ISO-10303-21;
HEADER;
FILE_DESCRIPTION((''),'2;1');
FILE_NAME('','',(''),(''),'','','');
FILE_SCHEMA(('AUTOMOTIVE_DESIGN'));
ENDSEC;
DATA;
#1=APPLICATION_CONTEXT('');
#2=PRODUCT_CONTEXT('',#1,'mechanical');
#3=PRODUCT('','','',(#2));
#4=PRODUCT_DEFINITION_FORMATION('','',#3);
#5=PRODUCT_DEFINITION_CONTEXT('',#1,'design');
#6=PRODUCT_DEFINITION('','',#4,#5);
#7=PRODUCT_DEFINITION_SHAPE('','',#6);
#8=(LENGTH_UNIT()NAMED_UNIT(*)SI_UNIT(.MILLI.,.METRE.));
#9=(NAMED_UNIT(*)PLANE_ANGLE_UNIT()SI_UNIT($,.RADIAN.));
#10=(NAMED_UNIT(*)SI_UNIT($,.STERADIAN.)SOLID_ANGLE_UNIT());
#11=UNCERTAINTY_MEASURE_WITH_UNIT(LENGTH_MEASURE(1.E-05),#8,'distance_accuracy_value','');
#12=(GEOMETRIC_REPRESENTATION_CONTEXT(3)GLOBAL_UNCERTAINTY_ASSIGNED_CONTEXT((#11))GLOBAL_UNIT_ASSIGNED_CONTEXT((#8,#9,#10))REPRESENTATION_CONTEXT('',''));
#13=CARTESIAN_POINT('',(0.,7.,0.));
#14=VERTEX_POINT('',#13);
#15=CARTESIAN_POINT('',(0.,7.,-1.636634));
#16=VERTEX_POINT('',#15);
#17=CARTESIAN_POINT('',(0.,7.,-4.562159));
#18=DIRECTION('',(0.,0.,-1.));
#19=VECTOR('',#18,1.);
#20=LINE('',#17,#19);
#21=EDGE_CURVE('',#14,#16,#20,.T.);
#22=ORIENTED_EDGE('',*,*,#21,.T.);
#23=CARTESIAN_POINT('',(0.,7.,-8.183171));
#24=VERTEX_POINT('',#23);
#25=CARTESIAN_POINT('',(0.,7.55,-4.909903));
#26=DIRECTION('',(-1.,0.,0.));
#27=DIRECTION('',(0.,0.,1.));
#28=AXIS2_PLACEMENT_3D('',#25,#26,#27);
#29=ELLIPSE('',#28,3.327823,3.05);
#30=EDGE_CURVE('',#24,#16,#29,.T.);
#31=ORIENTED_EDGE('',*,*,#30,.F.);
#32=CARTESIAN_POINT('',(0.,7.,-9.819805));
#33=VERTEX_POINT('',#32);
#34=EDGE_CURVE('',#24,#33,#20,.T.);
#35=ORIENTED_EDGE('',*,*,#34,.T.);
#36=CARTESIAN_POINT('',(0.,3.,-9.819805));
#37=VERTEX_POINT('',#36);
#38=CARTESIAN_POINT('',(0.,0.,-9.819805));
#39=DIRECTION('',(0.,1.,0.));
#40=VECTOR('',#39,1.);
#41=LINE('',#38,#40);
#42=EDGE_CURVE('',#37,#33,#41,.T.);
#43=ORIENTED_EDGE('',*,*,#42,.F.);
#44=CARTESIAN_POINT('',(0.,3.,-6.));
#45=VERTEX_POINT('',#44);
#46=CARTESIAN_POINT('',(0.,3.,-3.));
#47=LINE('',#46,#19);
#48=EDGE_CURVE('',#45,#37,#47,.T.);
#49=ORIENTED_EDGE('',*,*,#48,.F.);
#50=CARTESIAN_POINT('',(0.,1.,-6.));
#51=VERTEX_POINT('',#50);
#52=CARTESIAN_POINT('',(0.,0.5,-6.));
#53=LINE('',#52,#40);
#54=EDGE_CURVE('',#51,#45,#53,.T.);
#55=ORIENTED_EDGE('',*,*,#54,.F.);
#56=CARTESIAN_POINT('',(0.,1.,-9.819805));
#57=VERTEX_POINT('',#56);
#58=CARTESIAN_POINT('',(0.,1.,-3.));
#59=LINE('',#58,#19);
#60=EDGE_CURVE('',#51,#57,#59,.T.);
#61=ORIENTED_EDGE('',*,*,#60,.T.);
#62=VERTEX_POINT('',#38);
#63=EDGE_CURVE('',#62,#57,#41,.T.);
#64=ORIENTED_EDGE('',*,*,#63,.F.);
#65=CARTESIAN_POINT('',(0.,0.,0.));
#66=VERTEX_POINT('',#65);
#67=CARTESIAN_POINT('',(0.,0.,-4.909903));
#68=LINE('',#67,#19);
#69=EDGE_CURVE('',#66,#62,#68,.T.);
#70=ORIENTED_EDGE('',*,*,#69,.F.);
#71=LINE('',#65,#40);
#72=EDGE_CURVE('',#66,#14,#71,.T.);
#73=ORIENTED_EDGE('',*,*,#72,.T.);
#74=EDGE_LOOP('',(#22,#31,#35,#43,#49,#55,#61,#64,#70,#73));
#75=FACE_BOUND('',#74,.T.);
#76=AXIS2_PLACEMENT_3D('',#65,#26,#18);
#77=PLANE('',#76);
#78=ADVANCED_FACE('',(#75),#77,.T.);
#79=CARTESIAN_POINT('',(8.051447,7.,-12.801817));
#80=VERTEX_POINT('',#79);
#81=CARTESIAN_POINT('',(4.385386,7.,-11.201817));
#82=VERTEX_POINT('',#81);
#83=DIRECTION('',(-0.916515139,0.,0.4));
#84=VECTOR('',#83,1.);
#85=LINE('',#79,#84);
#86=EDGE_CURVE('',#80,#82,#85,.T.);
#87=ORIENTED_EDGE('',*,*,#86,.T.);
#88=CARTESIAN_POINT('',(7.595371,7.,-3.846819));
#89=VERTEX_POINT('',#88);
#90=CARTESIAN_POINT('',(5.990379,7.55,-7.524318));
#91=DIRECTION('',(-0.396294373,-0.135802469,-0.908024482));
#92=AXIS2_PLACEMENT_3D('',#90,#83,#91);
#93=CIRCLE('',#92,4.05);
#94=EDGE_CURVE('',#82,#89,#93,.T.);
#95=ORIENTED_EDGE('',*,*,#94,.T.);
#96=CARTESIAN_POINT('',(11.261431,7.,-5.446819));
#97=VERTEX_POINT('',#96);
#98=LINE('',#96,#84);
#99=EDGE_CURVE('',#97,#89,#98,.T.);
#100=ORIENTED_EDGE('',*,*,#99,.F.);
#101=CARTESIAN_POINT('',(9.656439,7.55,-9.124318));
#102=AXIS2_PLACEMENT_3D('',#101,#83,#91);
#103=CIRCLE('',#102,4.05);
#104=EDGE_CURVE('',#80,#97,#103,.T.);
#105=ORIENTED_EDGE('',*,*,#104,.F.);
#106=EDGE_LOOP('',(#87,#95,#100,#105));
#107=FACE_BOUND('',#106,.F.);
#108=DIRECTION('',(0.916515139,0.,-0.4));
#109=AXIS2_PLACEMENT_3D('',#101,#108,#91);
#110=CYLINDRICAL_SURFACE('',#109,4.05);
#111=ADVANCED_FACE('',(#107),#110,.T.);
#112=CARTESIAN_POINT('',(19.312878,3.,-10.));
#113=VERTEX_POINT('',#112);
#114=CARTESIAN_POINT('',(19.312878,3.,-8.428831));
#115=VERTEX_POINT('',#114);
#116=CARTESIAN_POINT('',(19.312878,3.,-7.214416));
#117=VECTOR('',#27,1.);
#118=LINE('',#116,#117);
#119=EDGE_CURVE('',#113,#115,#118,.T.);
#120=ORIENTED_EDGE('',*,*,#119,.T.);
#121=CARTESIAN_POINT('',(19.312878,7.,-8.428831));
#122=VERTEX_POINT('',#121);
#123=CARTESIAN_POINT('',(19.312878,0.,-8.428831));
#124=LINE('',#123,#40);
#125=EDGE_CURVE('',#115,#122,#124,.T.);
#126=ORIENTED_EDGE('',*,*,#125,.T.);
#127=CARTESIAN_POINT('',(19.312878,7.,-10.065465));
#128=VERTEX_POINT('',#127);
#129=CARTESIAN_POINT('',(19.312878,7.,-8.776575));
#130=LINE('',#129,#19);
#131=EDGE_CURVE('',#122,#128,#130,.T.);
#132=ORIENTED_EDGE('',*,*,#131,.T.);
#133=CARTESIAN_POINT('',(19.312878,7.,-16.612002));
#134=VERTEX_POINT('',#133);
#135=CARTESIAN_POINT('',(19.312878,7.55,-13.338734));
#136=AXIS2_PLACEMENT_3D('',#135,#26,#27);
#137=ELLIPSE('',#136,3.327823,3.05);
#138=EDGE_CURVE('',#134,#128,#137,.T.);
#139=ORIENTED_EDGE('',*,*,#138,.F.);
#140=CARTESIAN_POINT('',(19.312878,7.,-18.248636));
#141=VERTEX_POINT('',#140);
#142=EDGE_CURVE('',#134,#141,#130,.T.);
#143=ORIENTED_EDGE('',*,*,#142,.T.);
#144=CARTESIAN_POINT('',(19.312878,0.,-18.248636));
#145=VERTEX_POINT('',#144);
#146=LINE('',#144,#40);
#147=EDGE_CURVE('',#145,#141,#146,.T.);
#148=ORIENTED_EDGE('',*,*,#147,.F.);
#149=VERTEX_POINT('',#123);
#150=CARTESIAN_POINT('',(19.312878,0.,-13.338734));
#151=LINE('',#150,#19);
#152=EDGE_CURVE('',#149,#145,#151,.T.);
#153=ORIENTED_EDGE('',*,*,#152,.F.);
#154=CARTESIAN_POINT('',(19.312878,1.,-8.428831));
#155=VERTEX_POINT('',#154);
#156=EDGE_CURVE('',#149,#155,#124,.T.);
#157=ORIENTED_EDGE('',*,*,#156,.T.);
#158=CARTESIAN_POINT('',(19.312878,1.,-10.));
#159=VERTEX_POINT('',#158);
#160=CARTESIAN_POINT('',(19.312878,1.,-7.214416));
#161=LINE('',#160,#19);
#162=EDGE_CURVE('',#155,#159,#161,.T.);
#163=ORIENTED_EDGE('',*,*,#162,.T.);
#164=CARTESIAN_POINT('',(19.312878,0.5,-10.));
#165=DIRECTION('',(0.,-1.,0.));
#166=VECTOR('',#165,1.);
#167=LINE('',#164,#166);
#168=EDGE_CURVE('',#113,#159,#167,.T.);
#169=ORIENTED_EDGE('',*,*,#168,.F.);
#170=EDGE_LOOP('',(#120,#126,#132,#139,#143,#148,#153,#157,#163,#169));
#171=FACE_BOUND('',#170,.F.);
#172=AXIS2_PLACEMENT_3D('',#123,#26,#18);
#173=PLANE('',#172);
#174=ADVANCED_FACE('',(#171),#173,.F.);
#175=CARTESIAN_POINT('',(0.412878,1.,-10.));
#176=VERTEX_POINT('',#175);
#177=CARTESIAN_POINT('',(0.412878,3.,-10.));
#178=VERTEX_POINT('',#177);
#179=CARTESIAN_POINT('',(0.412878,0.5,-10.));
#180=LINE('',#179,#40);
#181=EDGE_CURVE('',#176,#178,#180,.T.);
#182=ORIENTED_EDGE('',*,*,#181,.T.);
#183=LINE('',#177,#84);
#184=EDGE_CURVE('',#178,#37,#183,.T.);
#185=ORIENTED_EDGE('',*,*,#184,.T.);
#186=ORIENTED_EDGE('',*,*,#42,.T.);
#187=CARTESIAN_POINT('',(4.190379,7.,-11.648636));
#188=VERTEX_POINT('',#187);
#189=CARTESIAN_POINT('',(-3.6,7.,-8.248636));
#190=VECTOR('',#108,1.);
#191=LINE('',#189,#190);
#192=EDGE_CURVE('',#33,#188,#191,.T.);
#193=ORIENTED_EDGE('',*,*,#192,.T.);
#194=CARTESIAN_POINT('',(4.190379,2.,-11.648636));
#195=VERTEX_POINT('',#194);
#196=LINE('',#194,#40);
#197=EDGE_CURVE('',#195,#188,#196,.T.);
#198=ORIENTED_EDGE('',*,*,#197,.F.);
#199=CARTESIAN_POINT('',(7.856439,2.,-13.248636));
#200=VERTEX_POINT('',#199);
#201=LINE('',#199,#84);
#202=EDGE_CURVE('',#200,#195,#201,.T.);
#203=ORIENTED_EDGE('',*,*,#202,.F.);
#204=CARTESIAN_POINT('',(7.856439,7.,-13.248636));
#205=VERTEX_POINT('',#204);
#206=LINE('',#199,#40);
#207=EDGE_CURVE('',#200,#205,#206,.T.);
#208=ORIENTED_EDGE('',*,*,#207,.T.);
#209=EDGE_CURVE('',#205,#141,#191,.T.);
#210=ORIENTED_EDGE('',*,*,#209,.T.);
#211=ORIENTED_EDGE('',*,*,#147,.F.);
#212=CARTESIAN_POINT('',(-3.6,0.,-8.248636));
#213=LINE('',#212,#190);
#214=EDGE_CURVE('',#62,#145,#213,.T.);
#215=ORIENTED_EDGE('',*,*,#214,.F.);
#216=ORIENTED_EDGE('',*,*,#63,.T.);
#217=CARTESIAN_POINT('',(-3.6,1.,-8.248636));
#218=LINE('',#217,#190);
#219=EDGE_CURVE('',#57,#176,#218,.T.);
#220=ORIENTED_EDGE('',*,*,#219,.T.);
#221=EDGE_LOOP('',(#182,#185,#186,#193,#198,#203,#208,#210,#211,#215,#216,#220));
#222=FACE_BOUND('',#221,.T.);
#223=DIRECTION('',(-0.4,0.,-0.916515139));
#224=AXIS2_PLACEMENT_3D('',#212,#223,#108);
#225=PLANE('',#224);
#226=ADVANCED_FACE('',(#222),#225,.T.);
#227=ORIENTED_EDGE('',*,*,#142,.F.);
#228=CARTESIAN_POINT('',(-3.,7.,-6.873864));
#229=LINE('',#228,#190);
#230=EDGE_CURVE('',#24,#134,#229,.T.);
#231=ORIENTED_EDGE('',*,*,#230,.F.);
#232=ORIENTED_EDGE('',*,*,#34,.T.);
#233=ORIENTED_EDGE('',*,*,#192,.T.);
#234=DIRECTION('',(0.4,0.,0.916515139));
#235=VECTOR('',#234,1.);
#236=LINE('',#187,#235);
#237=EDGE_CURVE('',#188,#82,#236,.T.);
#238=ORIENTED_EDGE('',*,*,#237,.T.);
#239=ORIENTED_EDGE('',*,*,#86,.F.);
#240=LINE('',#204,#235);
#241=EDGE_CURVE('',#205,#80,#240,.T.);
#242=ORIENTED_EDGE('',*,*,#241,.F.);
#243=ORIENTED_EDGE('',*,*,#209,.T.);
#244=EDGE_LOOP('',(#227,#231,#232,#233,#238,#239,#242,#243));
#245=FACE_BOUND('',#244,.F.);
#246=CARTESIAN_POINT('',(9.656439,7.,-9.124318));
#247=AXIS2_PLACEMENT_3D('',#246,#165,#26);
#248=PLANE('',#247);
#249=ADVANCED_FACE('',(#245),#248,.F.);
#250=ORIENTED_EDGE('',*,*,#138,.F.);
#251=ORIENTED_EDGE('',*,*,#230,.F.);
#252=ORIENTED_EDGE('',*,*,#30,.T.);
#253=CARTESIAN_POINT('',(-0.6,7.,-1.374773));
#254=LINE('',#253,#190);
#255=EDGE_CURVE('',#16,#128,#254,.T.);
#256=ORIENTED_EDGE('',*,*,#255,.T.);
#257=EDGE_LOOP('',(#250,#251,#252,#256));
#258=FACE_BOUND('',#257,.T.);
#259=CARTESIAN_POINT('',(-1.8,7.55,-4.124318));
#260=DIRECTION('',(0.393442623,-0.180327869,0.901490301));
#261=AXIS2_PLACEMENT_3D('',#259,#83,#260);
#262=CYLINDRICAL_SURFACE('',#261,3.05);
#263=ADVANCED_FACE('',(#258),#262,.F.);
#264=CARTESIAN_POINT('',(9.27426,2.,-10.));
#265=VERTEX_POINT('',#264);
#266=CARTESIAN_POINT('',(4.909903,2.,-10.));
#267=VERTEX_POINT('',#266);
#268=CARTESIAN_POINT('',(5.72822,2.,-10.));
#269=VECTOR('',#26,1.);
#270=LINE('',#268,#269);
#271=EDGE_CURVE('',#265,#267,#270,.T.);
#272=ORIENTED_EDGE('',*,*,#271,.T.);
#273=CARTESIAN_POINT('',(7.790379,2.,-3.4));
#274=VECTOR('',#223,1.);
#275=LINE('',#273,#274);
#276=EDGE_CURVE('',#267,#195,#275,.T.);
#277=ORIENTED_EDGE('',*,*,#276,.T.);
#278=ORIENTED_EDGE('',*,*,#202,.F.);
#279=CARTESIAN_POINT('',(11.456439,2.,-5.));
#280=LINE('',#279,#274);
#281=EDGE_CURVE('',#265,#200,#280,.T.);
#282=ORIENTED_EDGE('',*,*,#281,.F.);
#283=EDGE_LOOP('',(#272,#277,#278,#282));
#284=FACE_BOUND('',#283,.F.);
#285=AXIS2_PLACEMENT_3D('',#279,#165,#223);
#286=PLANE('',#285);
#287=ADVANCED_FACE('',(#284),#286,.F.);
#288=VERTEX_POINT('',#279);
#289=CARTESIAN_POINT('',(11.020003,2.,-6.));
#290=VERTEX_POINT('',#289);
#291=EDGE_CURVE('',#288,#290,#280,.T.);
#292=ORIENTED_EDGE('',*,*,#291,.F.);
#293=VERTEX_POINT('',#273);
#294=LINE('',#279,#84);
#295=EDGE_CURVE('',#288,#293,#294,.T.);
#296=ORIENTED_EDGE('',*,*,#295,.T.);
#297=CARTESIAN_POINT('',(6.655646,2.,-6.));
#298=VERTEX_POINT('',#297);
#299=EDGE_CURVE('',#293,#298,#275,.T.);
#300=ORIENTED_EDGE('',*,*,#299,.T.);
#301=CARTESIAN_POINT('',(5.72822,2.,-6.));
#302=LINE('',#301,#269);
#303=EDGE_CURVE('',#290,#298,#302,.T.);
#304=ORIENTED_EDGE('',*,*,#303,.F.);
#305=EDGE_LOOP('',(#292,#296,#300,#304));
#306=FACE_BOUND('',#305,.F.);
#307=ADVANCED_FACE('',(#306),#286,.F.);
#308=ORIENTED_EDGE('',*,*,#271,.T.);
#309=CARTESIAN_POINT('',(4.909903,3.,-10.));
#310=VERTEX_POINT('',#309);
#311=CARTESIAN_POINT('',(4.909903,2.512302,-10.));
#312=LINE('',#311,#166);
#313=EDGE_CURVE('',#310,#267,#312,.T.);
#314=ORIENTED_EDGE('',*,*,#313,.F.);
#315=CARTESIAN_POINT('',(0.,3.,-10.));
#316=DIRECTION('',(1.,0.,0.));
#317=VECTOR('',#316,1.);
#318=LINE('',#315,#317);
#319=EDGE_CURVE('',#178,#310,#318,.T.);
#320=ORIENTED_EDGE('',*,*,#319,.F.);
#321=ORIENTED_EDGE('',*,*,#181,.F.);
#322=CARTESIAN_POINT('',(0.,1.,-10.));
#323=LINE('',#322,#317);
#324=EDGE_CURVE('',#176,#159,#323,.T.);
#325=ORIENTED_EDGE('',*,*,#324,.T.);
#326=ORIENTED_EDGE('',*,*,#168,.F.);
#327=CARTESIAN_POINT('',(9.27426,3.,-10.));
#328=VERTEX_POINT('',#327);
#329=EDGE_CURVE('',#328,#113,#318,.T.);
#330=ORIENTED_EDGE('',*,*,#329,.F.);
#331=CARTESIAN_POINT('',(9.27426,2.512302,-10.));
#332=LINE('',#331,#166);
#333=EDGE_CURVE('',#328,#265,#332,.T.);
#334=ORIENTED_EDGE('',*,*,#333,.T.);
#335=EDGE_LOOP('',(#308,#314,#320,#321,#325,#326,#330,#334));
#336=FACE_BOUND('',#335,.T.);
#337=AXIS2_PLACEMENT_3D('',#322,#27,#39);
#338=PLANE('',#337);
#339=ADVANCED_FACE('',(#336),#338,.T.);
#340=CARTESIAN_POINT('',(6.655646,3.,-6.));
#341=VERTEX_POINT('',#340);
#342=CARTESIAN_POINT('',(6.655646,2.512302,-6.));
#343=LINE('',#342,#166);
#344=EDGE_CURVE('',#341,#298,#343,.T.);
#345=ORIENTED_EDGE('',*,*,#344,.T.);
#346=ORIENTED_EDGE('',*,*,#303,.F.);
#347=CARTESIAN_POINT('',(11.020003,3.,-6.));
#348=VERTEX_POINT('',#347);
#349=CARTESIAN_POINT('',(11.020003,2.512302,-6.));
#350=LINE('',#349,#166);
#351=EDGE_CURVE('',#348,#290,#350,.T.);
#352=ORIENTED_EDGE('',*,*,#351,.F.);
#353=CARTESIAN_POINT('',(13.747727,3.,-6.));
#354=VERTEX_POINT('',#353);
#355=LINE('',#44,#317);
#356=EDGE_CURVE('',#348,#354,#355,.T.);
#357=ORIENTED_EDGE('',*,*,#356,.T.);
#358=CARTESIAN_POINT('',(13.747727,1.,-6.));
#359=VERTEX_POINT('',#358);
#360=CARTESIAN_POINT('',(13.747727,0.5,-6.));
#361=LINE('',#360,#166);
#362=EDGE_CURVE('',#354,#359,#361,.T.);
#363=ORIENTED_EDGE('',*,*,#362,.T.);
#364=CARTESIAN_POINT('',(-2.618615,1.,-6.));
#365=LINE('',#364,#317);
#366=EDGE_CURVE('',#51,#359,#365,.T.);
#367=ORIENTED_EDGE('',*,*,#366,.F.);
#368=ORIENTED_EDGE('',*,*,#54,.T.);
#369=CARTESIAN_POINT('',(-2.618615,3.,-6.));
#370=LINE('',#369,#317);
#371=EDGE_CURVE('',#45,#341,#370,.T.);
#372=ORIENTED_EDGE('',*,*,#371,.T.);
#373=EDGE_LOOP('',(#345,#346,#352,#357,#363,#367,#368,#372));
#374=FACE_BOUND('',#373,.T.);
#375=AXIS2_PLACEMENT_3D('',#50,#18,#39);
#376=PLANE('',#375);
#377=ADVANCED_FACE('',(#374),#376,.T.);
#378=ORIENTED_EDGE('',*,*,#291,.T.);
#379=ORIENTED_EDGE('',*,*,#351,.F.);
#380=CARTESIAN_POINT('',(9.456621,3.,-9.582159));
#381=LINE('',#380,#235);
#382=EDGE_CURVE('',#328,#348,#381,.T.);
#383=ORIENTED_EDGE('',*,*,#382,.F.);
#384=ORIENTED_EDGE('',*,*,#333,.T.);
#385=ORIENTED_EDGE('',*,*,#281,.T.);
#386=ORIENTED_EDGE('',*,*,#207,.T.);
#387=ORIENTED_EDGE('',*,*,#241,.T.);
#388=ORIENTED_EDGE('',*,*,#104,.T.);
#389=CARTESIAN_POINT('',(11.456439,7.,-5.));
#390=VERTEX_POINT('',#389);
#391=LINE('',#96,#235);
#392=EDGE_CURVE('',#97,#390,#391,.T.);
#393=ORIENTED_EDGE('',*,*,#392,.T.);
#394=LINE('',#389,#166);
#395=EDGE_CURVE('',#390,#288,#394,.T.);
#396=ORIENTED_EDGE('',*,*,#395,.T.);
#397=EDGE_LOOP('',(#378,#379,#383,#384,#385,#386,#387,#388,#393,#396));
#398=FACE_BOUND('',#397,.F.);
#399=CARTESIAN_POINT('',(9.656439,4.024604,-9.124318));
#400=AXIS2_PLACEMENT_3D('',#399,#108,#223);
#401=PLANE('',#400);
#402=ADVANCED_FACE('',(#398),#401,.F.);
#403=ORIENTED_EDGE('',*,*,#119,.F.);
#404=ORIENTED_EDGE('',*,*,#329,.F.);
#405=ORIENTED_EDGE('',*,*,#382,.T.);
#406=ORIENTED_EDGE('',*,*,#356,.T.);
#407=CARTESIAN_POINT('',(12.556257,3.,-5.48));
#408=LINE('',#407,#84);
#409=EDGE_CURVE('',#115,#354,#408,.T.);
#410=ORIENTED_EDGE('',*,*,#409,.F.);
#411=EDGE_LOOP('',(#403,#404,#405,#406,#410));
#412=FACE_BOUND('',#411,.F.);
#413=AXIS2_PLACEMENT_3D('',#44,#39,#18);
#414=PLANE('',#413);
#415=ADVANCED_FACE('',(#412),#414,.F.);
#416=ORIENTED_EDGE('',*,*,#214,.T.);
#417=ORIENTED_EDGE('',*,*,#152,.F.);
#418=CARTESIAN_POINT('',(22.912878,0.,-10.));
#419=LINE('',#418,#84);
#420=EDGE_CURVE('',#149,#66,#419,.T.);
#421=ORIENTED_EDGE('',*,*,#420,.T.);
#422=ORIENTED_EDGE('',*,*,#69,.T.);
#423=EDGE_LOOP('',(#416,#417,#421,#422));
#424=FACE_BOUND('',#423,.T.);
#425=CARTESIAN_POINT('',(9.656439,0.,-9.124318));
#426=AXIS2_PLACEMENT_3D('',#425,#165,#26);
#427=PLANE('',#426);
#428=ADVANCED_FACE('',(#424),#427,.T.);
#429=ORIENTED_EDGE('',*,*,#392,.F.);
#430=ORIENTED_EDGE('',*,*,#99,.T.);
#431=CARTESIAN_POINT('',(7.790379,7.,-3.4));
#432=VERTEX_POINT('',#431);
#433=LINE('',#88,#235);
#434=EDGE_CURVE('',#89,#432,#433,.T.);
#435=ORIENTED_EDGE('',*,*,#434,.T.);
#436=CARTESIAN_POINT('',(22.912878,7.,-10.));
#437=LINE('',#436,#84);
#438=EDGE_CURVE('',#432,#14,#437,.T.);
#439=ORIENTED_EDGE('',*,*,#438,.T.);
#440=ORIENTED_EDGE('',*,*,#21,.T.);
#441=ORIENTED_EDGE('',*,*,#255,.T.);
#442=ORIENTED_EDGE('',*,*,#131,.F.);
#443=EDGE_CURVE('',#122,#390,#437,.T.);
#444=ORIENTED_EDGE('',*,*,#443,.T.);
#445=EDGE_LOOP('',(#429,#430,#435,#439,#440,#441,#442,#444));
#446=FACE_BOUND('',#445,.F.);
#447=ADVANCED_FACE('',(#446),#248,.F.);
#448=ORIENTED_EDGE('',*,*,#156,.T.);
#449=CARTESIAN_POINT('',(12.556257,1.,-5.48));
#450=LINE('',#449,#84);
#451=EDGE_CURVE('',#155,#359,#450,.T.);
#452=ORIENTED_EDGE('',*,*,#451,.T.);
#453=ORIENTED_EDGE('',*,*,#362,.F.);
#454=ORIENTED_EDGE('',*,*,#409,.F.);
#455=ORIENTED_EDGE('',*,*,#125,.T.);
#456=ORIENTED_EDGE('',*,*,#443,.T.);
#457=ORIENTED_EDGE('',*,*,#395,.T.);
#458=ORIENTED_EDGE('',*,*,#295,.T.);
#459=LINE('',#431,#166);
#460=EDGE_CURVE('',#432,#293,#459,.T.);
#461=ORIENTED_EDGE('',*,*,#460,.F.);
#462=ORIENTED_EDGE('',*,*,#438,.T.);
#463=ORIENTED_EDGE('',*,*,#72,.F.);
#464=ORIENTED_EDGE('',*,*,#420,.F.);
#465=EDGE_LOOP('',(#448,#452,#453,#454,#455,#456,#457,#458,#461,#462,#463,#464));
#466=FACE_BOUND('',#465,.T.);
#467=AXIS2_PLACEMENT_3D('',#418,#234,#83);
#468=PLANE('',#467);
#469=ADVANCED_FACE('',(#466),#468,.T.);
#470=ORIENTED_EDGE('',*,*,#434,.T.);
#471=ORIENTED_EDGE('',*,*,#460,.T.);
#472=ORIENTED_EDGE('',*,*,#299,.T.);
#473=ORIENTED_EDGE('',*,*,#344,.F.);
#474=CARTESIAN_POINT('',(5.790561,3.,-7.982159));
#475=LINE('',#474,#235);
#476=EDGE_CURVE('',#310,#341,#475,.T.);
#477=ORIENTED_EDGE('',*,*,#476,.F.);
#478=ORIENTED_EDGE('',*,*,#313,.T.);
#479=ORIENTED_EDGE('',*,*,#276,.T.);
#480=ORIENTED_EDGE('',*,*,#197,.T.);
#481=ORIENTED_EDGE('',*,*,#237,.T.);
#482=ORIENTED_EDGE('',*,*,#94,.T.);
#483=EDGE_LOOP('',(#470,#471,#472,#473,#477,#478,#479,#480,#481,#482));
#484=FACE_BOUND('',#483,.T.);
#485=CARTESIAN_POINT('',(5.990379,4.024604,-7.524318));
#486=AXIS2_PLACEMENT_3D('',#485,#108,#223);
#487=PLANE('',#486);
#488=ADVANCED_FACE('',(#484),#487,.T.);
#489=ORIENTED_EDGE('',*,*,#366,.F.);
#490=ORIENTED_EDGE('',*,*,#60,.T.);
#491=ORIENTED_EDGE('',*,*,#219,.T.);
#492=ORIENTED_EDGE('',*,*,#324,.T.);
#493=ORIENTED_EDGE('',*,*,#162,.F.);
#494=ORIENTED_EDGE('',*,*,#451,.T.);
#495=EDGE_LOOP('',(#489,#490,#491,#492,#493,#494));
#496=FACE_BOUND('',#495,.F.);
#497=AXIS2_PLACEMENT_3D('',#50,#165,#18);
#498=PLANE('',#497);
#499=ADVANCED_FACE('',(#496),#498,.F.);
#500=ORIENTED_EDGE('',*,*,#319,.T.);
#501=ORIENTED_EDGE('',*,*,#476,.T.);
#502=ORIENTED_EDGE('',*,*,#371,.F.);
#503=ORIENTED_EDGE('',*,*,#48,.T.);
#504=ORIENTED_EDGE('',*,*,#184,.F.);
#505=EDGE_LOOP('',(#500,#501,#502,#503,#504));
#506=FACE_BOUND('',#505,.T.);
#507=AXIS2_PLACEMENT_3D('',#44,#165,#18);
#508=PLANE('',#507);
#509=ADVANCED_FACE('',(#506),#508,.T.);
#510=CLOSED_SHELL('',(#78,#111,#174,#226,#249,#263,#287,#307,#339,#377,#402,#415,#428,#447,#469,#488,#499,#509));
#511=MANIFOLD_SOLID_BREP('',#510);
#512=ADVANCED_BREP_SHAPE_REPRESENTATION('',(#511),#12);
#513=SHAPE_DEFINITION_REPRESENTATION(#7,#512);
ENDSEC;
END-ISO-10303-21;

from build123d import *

# Parameters (mm, degrees)
BOSS_EXTRUDE2_DEPTH     = 7
CUT_EXTRUDE4_DEPTH      = 25
CUT_EXTRUDE7_DEPTH      = 4
SKETCH6_W               = 4
SKETCH6_H               = 2
CUT_EXTRUDE5_DEPTH      = 23.912878475
CUT_EXTRUDE5_DEPTH_BACK = 4.6
SKETCH12_W              = 3.6
SKETCH12_H              = 9.819805061
CUT_EXTRUDE10_DEPTH     = 8
SKETCH13_W              = 3.6
SKETCH13_H              = 9.819805061
CUT_EXTRUDE11_DEPTH     = 8


with BuildPart() as part:
    # Sketch2 → Boss-Extrude2 (new body)
    with BuildSketch(Plane(origin=(0, 0, 0), x_dir=(1, 0, 0), z_dir=(0, 1, 0))):
        Polygon((0, 0), (-3.6, 8.248636251), (19.312878475, 18.248636251), (22.912878475, 10), align=None)
    extrude(amount=BOSS_EXTRUDE2_DEPTH)

    # Sketch4 → Cut-Extrude4 (cut)
    with BuildSketch(Plane(origin=(0, 0, 0), x_dir=(0.4, 0, 0.916515139), z_dir=(-0.916515139, 0, 0.4))):
        with BuildLine():
            Line((-7.5, 7), (-1.5, 7))
            ThreePointArc((-1.5, 7), (-4.5, 4.5), (-7.5, 7))
        make_face()
    extrude(amount=-CUT_EXTRUDE4_DEPTH, mode=Mode.SUBTRACT)

    # Sketch8 → Cut-Extrude7 (cut)
    with BuildSketch(Plane(origin=(11.456439237, 0, -5), x_dir=(-0.4, 0, -0.916515139), z_dir=(0.916515139, 0, -0.4))):
        with BuildLine():
            Line((0.48751947, 7), (0, 7))
            Line((0, 7), (0, 2))
            Line((0, 2), (9, 2))
            Line((9, 2), (9, 7))
            Line((9, 7), (8.51248053, 7))
            ThreePointArc((8.51248053, 7), (4.5, 3.5), (0.48751947, 7))
        make_face()
    extrude(amount=-CUT_EXTRUDE7_DEPTH, mode=Mode.SUBTRACT)

    # Sketch6 → Cut-Extrude5 (cut, two sides)
    with BuildSketch(Plane(origin=(0, 0, 0), x_dir=(0, 0, -1), z_dir=(1, 0, 0))) as cut_extrude5_sk:
        with Locations((8, 2)):
            Rectangle(SKETCH6_W, SKETCH6_H)
    extrude(amount=CUT_EXTRUDE5_DEPTH, mode=Mode.SUBTRACT)
    extrude(cut_extrude5_sk.sketch, amount=-CUT_EXTRUDE5_DEPTH_BACK, mode=Mode.SUBTRACT)

    # Sketch12 → Cut-Extrude10 (cut, through all)
    with BuildSketch(Plane(origin=(0, 0, 0), x_dir=(1, 0, 0), z_dir=(0, 1, 0))):
        with Locations((21.112878475, 13.338733721)):
            Rectangle(SKETCH12_W, SKETCH12_H)
    extrude(amount=CUT_EXTRUDE10_DEPTH, mode=Mode.SUBTRACT)

    # Sketch13 → Cut-Extrude11 (cut, through all)
    with BuildSketch(Plane(origin=(0, 0, 0), x_dir=(1, 0, 0), z_dir=(0, 1, 0))):
        with Locations((-1.8, 4.909902531)):
            Rectangle(SKETCH13_W, SKETCH13_H)
    extrude(amount=CUT_EXTRUDE11_DEPTH, mode=Mode.SUBTRACT)


solid = part.part
